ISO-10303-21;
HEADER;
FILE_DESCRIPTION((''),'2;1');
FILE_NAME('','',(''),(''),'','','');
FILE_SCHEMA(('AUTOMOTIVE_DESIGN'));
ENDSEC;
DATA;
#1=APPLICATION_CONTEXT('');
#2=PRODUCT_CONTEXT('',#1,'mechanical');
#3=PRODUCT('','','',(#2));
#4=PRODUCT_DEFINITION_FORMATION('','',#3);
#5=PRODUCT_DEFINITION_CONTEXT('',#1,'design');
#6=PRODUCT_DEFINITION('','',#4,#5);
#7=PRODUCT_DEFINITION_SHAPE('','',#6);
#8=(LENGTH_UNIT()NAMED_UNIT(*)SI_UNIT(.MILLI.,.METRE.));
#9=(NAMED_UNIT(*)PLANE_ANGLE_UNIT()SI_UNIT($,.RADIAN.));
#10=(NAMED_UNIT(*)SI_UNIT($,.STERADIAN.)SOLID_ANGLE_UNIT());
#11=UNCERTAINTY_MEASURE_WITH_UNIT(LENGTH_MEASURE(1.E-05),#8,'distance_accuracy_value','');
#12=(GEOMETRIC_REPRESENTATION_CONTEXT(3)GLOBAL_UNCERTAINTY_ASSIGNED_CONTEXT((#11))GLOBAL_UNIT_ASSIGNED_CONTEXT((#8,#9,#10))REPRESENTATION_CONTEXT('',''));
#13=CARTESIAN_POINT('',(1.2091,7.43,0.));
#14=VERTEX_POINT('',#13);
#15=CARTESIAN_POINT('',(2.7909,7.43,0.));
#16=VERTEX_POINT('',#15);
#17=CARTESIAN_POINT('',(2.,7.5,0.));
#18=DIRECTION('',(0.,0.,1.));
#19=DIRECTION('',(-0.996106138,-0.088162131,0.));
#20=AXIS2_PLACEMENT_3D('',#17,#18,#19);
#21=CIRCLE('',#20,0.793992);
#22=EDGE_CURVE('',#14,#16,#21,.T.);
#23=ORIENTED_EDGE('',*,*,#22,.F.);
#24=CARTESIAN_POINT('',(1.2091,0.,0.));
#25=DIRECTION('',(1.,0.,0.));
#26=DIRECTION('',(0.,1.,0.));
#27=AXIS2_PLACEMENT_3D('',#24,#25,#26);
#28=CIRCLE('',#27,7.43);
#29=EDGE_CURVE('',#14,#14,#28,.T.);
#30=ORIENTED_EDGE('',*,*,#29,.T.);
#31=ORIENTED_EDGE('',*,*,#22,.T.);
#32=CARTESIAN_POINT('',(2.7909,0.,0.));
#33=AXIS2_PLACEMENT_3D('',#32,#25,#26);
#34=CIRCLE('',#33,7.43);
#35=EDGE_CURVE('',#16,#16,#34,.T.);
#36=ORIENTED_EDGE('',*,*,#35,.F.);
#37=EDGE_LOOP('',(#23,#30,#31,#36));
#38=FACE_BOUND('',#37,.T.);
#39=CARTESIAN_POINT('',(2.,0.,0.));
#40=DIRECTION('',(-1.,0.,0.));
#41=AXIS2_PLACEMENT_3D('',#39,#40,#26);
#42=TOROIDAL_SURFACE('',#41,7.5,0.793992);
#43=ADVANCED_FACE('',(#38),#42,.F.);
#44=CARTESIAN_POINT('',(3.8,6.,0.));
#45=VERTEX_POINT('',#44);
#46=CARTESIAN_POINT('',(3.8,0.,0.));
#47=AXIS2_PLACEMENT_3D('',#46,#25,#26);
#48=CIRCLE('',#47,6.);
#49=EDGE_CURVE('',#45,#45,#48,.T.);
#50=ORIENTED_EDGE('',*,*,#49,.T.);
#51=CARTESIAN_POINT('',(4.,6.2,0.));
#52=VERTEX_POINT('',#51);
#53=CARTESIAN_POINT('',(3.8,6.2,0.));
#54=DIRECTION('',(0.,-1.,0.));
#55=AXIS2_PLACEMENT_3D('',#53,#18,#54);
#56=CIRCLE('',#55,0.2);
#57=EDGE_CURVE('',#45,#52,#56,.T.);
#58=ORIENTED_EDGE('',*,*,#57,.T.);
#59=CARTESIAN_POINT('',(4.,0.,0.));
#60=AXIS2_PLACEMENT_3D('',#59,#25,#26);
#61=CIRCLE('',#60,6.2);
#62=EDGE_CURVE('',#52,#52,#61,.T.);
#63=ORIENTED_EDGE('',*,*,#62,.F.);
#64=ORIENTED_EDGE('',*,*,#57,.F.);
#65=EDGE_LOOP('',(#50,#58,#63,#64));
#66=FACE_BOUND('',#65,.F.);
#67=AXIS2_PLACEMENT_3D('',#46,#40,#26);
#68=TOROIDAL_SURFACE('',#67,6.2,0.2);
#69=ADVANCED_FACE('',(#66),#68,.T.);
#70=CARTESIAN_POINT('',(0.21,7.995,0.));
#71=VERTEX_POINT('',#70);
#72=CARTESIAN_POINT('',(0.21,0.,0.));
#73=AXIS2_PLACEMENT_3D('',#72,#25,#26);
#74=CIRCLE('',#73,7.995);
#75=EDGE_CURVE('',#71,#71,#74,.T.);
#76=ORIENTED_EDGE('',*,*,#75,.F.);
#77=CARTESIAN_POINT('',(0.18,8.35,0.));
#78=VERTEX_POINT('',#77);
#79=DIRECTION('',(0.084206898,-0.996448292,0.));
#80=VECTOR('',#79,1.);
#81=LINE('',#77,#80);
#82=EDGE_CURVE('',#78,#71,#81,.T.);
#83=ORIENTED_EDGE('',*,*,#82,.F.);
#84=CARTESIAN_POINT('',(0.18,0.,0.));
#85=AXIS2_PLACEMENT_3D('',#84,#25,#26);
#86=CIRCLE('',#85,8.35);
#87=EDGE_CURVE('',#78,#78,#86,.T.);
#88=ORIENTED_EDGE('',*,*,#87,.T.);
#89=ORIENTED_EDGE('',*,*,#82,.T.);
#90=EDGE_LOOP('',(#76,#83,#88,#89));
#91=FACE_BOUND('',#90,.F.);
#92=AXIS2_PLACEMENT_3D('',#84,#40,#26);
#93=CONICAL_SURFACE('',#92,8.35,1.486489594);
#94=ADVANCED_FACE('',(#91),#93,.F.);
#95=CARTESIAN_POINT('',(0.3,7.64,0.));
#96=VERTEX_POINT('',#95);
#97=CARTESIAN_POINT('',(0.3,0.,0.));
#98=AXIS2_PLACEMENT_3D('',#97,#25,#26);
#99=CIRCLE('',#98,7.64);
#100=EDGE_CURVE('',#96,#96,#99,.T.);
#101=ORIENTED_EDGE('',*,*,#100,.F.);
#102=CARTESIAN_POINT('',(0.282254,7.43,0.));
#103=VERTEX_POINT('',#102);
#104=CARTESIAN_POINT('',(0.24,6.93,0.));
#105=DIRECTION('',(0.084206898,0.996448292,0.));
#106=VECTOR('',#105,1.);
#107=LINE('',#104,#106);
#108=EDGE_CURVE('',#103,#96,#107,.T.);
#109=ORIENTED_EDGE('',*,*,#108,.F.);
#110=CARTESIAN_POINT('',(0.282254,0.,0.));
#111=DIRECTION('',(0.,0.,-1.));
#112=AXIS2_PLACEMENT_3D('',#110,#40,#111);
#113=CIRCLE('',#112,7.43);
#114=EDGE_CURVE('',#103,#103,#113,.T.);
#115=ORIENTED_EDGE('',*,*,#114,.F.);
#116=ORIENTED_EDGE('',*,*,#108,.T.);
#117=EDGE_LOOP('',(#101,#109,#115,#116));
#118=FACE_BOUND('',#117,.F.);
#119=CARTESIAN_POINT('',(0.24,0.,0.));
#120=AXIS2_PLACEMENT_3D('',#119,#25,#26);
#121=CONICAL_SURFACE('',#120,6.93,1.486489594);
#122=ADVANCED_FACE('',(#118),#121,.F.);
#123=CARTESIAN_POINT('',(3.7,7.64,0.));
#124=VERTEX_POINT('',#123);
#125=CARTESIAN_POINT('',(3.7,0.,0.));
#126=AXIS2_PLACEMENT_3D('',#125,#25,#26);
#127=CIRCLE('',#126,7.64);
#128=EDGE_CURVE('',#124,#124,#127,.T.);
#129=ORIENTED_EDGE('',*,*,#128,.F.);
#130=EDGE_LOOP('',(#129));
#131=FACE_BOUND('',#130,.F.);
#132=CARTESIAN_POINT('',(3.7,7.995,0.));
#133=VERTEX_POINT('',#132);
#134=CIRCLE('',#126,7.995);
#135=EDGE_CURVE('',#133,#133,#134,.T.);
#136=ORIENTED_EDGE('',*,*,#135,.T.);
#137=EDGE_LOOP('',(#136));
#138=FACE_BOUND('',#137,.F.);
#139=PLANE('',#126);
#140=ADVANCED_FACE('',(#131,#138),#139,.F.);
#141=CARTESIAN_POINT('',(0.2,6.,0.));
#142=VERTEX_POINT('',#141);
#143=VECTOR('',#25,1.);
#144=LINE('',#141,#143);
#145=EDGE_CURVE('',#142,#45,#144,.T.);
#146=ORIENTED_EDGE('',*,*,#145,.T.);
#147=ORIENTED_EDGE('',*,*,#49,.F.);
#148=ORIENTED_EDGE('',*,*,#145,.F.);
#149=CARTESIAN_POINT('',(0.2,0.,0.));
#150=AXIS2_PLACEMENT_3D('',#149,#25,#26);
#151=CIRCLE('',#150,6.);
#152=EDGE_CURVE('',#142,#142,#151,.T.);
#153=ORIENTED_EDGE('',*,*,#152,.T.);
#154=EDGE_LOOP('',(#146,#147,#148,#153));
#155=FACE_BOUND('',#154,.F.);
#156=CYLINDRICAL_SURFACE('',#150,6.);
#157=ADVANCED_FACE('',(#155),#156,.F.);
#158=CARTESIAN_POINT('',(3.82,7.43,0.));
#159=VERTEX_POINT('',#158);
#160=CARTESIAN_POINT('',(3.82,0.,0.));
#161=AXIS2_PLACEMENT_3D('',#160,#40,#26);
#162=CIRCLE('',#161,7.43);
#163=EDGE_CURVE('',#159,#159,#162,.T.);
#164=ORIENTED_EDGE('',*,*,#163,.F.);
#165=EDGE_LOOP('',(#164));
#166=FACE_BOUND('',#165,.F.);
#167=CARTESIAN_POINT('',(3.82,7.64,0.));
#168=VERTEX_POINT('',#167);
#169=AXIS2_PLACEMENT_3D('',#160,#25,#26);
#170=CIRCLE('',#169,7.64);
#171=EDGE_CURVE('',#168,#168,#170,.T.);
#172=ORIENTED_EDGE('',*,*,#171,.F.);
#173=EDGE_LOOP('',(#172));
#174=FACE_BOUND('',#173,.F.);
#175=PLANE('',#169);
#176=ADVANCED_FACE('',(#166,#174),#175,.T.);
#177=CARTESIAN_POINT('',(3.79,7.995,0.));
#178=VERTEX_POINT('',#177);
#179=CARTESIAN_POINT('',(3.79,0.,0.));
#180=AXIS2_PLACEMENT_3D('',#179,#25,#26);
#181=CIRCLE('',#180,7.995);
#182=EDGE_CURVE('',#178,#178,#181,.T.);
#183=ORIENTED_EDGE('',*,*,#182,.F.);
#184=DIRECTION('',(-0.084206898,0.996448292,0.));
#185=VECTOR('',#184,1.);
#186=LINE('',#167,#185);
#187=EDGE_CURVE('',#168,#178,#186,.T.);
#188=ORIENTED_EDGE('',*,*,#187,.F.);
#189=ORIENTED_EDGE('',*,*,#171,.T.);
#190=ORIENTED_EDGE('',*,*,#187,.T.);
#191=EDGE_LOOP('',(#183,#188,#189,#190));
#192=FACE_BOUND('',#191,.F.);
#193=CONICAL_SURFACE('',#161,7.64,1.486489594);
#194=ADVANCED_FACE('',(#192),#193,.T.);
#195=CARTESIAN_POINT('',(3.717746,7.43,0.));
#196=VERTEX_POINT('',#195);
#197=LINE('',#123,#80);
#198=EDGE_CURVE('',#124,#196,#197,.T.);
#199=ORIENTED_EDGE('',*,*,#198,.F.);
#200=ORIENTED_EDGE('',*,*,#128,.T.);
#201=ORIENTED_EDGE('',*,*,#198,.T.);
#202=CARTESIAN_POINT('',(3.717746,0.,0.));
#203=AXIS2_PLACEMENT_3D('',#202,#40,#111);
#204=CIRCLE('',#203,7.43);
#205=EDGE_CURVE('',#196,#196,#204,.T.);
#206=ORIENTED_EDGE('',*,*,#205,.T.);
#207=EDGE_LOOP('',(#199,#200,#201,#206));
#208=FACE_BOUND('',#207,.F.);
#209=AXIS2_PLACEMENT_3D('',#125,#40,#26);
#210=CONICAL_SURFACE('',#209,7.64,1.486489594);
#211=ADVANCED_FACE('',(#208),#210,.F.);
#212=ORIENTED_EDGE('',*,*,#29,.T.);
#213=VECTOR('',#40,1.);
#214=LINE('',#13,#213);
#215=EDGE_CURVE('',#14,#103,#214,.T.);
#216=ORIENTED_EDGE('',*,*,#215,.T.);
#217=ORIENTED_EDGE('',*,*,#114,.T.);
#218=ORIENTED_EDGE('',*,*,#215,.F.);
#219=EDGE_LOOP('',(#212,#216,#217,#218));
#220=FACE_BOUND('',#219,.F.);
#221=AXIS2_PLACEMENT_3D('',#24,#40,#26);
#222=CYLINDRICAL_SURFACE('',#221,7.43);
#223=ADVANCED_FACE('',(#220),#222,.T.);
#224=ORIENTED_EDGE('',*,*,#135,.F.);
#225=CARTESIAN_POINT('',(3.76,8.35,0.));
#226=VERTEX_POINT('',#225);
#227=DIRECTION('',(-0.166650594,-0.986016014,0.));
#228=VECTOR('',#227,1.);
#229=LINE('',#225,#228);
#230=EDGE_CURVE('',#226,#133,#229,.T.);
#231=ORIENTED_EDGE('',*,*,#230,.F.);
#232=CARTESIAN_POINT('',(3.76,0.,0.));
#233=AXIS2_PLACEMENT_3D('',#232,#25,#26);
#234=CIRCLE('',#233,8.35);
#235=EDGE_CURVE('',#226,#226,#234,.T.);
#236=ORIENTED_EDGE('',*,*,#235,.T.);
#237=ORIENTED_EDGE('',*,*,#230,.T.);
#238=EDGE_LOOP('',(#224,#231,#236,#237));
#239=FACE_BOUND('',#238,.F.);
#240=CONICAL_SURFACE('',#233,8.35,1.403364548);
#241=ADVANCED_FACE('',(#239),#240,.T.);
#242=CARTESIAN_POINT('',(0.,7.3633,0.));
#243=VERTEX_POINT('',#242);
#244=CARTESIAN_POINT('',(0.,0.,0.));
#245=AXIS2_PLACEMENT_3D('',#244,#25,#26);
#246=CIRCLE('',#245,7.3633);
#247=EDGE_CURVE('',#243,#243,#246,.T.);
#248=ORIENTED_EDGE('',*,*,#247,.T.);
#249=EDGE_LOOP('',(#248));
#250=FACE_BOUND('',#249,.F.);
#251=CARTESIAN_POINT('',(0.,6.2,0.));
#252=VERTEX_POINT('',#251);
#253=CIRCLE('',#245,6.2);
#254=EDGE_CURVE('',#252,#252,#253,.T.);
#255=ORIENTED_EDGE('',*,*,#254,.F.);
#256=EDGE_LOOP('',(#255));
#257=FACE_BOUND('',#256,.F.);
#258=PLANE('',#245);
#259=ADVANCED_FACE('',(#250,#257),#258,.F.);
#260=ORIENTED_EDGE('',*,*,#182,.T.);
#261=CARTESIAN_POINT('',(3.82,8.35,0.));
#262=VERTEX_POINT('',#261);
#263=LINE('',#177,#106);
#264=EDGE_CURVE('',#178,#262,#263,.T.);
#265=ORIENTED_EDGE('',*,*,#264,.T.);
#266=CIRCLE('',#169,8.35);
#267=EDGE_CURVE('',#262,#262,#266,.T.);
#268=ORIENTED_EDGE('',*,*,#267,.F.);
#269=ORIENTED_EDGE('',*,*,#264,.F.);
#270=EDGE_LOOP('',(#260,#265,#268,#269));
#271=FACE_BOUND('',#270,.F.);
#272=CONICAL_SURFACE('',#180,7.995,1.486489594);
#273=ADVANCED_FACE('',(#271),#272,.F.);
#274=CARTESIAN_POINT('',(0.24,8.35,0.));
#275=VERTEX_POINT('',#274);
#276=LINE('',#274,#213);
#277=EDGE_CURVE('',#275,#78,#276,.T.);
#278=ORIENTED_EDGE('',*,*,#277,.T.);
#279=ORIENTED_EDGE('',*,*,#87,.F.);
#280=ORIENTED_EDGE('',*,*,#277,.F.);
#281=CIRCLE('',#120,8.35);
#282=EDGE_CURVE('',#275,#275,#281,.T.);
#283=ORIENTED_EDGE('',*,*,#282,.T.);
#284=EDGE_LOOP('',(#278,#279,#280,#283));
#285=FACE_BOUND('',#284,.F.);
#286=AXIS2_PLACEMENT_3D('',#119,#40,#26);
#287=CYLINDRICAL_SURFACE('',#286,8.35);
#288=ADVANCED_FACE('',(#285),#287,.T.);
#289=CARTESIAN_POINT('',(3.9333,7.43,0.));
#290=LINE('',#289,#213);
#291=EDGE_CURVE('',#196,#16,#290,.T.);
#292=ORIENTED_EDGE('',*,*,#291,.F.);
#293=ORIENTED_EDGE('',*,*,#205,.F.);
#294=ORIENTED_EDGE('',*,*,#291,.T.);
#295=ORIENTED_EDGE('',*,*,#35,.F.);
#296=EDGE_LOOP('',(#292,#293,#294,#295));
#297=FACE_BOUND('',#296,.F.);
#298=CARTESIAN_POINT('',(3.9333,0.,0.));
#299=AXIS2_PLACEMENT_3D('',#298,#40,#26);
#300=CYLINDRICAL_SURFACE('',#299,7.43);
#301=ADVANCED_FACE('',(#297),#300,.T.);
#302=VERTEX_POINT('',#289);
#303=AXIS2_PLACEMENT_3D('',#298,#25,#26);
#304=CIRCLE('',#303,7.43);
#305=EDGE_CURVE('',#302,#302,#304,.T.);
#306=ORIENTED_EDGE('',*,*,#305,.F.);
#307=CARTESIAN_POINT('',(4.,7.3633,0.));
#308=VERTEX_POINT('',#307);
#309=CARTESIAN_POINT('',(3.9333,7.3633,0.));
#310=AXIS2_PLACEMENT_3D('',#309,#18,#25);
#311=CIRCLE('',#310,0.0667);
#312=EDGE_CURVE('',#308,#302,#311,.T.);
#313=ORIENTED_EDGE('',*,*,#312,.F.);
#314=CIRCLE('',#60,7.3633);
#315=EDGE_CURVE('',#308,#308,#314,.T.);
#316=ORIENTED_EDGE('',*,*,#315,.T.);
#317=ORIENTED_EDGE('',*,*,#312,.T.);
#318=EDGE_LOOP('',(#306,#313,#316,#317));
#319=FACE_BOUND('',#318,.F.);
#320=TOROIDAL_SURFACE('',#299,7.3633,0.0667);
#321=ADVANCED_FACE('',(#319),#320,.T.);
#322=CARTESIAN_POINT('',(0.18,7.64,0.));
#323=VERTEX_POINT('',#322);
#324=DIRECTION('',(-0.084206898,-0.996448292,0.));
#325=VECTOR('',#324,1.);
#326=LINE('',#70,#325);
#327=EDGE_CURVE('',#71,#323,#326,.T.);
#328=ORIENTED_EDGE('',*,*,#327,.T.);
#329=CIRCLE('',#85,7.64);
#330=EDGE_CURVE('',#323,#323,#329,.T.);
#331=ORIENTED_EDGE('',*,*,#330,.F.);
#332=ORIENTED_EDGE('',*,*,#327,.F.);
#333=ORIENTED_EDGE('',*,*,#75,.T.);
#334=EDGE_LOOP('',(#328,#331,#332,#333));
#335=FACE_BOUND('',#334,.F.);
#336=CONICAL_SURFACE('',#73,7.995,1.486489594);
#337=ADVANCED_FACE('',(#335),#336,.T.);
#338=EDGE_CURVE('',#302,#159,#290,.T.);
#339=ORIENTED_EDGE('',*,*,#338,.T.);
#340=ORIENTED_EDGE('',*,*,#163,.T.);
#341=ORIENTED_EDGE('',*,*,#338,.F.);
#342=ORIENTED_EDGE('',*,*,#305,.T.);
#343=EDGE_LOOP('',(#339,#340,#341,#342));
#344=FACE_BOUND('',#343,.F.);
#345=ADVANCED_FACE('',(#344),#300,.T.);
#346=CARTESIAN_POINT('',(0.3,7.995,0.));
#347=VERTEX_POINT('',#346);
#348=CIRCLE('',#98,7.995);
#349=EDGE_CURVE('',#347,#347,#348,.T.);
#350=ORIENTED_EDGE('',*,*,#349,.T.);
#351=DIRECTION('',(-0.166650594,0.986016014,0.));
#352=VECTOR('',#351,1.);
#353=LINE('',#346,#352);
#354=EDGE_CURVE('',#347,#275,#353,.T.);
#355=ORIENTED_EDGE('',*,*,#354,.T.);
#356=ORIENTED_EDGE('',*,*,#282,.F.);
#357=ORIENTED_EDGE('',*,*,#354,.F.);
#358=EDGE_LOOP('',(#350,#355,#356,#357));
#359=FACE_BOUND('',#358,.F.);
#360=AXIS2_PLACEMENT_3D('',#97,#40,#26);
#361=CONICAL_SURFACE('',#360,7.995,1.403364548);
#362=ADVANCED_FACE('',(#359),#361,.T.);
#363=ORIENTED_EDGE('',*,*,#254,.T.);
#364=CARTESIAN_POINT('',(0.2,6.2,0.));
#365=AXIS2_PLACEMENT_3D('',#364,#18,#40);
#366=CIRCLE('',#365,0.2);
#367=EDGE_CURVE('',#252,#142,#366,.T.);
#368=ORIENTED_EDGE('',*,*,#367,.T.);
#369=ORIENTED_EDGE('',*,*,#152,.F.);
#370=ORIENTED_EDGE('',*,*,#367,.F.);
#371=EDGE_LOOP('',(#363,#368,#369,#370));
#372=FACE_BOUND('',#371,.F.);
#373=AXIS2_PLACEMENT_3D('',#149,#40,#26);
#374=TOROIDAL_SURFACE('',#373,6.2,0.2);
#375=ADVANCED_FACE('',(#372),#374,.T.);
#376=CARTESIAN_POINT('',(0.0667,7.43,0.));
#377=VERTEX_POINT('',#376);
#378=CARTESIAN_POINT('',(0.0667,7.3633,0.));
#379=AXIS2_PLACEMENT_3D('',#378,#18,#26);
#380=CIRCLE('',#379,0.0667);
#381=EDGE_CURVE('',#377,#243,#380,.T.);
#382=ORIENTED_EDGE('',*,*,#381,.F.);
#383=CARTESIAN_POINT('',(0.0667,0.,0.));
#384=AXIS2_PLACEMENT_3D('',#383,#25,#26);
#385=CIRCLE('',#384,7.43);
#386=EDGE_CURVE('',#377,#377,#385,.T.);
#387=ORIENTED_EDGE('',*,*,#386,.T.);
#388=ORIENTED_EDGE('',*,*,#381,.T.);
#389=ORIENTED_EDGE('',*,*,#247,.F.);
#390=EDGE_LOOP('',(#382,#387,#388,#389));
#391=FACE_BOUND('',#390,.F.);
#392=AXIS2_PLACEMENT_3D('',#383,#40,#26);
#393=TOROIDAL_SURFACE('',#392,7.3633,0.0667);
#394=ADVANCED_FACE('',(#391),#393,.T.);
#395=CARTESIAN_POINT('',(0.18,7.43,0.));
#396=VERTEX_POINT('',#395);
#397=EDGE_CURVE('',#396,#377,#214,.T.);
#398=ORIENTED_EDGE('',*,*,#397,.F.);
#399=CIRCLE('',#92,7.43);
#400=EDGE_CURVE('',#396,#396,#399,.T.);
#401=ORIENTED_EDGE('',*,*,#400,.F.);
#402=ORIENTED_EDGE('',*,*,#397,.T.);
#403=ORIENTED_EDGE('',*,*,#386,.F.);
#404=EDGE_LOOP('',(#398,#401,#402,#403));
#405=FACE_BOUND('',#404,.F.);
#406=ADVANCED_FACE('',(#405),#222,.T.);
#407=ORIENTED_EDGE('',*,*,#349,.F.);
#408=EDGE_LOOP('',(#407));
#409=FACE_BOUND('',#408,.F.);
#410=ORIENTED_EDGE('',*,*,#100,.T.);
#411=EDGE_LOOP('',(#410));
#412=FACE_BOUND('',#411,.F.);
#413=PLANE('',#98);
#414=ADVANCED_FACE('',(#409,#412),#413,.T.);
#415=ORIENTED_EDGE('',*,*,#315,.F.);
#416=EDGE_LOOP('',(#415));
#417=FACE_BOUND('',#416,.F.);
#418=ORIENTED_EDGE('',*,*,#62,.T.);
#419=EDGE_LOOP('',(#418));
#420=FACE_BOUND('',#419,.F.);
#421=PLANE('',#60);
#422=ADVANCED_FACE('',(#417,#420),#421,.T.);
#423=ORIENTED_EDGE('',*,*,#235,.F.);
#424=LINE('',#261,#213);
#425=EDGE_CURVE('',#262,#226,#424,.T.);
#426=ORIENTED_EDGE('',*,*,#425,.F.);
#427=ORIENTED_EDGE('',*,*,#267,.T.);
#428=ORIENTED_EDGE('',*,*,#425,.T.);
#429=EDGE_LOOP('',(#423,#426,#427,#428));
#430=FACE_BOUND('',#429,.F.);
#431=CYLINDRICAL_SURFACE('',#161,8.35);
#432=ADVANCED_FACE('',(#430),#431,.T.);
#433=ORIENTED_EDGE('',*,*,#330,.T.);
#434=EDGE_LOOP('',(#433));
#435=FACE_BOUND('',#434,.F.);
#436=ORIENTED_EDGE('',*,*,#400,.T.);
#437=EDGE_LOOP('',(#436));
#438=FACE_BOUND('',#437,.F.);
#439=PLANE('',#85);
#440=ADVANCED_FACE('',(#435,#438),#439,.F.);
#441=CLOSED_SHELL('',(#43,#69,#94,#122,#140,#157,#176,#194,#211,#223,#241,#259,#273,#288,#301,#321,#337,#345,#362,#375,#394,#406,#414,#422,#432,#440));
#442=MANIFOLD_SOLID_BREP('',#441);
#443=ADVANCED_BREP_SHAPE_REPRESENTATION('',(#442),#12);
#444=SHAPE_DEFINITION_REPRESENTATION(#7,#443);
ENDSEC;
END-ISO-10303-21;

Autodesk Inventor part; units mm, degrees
ref_plane "YZ Plane" through (0, 0, 0) normal (1, 0, 0) x (0, 1, 0)
ref_plane "XZ Plane" through (0, 0, 0) normal (0, 1, 0) x (-1, 0, 0)
ref_plane "XY Plane" through (0, 0, 0) normal (0, 0, 1) x (1, 0, 0)
sketch "Sketch_13" plane through (0, 0, 0) normal (0, 0, 1) x (1, 0, 0)
  line L0 (50, 0) -> (-50, 0)
  line L1 (0, 7.3633) -> (0, 6.2)
  arc A0 (0, 6.2) -> (0.2, 6) centre (0.2, 6.2) ccw
  line L2 (0.2, 6) -> (3.8, 6)
  arc A1 (3.8, 6) -> (4, 6.2) centre (3.8, 6.2) ccw
  line L3 (4, 6.2) -> (4, 7.3633)
  arc A2 (4, 7.3633) -> (3.9333, 7.43) centre (3.9333, 7.3633) ccw
  line L4 (3.9333, 7.43) -> (2.7909, 7.43)
  arc A3 (1.2091, 7.43) -> (2.7909, 7.43) centre (2, 7.5) ccw
  line L5 (1.2091, 7.43) -> (0.0667, 7.43)
  arc A4 (0.0667, 7.43) -> (0, 7.3633) centre (0.0667, 7.3633) ccw
revolve "Revolution1" add sketch "Sketch_13" angle 360 about axis through (50, 0, 0) along (1, 0, 0)
sketch "Sketch_15" plane through (0, 0, 0) normal (0, 0, 1) x (1, 0, 0)
  line L0 (50, 0) -> (-50, 0)
  line L1 (0.18, 8.35) -> (0.21, 7.995)
  line L2 (0.21, 7.995) -> (0.18, 7.64)
  line L3 (0.18, 7.64) -> (0.18, 6.93)
  line L4 (0.18, 6.93) -> (0.24, 6.93)
  line L5 (0.24, 6.93) -> (0.3, 7.64)
  line L6 (0.3, 7.64) -> (0.3, 7.995)
  line L7 (0.3, 7.995) -> (0.24, 8.35)
  line L8 (0.24, 8.35) -> (0.18, 8.35)
revolve "Revolution2" add sketch "Sketch_15" angle 360 about axis through (50, 0, 0) along (1, 0, 0)
sketch "Sketch_16" plane through (0, 0, 0) normal (0, 0, 1) x (1, 0, 0)
  line L0 (50, 0) -> (-50, 0)
  line L1 (3.7, 7.995) -> (3.7, 7.64)
  line L2 (3.7, 7.64) -> (3.76, 6.93)
  line L3 (3.76, 6.93) -> (3.82, 6.93)
  line L4 (3.82, 6.93) -> (3.82, 7.64)
  line L5 (3.82, 7.64) -> (3.79, 7.995)
  line L6 (3.79, 7.995) -> (3.82, 8.35)
  line L7 (3.82, 8.35) -> (3.76, 8.35)
  line L8 (3.76, 8.35) -> (3.7, 7.995)
revolve "Revolution3" add sketch "Sketch_16" angle 360 about axis through (50, 0, 0) along (1, 0, 0)
properties part number "SKF_W 61701-2RS1_PART1"
